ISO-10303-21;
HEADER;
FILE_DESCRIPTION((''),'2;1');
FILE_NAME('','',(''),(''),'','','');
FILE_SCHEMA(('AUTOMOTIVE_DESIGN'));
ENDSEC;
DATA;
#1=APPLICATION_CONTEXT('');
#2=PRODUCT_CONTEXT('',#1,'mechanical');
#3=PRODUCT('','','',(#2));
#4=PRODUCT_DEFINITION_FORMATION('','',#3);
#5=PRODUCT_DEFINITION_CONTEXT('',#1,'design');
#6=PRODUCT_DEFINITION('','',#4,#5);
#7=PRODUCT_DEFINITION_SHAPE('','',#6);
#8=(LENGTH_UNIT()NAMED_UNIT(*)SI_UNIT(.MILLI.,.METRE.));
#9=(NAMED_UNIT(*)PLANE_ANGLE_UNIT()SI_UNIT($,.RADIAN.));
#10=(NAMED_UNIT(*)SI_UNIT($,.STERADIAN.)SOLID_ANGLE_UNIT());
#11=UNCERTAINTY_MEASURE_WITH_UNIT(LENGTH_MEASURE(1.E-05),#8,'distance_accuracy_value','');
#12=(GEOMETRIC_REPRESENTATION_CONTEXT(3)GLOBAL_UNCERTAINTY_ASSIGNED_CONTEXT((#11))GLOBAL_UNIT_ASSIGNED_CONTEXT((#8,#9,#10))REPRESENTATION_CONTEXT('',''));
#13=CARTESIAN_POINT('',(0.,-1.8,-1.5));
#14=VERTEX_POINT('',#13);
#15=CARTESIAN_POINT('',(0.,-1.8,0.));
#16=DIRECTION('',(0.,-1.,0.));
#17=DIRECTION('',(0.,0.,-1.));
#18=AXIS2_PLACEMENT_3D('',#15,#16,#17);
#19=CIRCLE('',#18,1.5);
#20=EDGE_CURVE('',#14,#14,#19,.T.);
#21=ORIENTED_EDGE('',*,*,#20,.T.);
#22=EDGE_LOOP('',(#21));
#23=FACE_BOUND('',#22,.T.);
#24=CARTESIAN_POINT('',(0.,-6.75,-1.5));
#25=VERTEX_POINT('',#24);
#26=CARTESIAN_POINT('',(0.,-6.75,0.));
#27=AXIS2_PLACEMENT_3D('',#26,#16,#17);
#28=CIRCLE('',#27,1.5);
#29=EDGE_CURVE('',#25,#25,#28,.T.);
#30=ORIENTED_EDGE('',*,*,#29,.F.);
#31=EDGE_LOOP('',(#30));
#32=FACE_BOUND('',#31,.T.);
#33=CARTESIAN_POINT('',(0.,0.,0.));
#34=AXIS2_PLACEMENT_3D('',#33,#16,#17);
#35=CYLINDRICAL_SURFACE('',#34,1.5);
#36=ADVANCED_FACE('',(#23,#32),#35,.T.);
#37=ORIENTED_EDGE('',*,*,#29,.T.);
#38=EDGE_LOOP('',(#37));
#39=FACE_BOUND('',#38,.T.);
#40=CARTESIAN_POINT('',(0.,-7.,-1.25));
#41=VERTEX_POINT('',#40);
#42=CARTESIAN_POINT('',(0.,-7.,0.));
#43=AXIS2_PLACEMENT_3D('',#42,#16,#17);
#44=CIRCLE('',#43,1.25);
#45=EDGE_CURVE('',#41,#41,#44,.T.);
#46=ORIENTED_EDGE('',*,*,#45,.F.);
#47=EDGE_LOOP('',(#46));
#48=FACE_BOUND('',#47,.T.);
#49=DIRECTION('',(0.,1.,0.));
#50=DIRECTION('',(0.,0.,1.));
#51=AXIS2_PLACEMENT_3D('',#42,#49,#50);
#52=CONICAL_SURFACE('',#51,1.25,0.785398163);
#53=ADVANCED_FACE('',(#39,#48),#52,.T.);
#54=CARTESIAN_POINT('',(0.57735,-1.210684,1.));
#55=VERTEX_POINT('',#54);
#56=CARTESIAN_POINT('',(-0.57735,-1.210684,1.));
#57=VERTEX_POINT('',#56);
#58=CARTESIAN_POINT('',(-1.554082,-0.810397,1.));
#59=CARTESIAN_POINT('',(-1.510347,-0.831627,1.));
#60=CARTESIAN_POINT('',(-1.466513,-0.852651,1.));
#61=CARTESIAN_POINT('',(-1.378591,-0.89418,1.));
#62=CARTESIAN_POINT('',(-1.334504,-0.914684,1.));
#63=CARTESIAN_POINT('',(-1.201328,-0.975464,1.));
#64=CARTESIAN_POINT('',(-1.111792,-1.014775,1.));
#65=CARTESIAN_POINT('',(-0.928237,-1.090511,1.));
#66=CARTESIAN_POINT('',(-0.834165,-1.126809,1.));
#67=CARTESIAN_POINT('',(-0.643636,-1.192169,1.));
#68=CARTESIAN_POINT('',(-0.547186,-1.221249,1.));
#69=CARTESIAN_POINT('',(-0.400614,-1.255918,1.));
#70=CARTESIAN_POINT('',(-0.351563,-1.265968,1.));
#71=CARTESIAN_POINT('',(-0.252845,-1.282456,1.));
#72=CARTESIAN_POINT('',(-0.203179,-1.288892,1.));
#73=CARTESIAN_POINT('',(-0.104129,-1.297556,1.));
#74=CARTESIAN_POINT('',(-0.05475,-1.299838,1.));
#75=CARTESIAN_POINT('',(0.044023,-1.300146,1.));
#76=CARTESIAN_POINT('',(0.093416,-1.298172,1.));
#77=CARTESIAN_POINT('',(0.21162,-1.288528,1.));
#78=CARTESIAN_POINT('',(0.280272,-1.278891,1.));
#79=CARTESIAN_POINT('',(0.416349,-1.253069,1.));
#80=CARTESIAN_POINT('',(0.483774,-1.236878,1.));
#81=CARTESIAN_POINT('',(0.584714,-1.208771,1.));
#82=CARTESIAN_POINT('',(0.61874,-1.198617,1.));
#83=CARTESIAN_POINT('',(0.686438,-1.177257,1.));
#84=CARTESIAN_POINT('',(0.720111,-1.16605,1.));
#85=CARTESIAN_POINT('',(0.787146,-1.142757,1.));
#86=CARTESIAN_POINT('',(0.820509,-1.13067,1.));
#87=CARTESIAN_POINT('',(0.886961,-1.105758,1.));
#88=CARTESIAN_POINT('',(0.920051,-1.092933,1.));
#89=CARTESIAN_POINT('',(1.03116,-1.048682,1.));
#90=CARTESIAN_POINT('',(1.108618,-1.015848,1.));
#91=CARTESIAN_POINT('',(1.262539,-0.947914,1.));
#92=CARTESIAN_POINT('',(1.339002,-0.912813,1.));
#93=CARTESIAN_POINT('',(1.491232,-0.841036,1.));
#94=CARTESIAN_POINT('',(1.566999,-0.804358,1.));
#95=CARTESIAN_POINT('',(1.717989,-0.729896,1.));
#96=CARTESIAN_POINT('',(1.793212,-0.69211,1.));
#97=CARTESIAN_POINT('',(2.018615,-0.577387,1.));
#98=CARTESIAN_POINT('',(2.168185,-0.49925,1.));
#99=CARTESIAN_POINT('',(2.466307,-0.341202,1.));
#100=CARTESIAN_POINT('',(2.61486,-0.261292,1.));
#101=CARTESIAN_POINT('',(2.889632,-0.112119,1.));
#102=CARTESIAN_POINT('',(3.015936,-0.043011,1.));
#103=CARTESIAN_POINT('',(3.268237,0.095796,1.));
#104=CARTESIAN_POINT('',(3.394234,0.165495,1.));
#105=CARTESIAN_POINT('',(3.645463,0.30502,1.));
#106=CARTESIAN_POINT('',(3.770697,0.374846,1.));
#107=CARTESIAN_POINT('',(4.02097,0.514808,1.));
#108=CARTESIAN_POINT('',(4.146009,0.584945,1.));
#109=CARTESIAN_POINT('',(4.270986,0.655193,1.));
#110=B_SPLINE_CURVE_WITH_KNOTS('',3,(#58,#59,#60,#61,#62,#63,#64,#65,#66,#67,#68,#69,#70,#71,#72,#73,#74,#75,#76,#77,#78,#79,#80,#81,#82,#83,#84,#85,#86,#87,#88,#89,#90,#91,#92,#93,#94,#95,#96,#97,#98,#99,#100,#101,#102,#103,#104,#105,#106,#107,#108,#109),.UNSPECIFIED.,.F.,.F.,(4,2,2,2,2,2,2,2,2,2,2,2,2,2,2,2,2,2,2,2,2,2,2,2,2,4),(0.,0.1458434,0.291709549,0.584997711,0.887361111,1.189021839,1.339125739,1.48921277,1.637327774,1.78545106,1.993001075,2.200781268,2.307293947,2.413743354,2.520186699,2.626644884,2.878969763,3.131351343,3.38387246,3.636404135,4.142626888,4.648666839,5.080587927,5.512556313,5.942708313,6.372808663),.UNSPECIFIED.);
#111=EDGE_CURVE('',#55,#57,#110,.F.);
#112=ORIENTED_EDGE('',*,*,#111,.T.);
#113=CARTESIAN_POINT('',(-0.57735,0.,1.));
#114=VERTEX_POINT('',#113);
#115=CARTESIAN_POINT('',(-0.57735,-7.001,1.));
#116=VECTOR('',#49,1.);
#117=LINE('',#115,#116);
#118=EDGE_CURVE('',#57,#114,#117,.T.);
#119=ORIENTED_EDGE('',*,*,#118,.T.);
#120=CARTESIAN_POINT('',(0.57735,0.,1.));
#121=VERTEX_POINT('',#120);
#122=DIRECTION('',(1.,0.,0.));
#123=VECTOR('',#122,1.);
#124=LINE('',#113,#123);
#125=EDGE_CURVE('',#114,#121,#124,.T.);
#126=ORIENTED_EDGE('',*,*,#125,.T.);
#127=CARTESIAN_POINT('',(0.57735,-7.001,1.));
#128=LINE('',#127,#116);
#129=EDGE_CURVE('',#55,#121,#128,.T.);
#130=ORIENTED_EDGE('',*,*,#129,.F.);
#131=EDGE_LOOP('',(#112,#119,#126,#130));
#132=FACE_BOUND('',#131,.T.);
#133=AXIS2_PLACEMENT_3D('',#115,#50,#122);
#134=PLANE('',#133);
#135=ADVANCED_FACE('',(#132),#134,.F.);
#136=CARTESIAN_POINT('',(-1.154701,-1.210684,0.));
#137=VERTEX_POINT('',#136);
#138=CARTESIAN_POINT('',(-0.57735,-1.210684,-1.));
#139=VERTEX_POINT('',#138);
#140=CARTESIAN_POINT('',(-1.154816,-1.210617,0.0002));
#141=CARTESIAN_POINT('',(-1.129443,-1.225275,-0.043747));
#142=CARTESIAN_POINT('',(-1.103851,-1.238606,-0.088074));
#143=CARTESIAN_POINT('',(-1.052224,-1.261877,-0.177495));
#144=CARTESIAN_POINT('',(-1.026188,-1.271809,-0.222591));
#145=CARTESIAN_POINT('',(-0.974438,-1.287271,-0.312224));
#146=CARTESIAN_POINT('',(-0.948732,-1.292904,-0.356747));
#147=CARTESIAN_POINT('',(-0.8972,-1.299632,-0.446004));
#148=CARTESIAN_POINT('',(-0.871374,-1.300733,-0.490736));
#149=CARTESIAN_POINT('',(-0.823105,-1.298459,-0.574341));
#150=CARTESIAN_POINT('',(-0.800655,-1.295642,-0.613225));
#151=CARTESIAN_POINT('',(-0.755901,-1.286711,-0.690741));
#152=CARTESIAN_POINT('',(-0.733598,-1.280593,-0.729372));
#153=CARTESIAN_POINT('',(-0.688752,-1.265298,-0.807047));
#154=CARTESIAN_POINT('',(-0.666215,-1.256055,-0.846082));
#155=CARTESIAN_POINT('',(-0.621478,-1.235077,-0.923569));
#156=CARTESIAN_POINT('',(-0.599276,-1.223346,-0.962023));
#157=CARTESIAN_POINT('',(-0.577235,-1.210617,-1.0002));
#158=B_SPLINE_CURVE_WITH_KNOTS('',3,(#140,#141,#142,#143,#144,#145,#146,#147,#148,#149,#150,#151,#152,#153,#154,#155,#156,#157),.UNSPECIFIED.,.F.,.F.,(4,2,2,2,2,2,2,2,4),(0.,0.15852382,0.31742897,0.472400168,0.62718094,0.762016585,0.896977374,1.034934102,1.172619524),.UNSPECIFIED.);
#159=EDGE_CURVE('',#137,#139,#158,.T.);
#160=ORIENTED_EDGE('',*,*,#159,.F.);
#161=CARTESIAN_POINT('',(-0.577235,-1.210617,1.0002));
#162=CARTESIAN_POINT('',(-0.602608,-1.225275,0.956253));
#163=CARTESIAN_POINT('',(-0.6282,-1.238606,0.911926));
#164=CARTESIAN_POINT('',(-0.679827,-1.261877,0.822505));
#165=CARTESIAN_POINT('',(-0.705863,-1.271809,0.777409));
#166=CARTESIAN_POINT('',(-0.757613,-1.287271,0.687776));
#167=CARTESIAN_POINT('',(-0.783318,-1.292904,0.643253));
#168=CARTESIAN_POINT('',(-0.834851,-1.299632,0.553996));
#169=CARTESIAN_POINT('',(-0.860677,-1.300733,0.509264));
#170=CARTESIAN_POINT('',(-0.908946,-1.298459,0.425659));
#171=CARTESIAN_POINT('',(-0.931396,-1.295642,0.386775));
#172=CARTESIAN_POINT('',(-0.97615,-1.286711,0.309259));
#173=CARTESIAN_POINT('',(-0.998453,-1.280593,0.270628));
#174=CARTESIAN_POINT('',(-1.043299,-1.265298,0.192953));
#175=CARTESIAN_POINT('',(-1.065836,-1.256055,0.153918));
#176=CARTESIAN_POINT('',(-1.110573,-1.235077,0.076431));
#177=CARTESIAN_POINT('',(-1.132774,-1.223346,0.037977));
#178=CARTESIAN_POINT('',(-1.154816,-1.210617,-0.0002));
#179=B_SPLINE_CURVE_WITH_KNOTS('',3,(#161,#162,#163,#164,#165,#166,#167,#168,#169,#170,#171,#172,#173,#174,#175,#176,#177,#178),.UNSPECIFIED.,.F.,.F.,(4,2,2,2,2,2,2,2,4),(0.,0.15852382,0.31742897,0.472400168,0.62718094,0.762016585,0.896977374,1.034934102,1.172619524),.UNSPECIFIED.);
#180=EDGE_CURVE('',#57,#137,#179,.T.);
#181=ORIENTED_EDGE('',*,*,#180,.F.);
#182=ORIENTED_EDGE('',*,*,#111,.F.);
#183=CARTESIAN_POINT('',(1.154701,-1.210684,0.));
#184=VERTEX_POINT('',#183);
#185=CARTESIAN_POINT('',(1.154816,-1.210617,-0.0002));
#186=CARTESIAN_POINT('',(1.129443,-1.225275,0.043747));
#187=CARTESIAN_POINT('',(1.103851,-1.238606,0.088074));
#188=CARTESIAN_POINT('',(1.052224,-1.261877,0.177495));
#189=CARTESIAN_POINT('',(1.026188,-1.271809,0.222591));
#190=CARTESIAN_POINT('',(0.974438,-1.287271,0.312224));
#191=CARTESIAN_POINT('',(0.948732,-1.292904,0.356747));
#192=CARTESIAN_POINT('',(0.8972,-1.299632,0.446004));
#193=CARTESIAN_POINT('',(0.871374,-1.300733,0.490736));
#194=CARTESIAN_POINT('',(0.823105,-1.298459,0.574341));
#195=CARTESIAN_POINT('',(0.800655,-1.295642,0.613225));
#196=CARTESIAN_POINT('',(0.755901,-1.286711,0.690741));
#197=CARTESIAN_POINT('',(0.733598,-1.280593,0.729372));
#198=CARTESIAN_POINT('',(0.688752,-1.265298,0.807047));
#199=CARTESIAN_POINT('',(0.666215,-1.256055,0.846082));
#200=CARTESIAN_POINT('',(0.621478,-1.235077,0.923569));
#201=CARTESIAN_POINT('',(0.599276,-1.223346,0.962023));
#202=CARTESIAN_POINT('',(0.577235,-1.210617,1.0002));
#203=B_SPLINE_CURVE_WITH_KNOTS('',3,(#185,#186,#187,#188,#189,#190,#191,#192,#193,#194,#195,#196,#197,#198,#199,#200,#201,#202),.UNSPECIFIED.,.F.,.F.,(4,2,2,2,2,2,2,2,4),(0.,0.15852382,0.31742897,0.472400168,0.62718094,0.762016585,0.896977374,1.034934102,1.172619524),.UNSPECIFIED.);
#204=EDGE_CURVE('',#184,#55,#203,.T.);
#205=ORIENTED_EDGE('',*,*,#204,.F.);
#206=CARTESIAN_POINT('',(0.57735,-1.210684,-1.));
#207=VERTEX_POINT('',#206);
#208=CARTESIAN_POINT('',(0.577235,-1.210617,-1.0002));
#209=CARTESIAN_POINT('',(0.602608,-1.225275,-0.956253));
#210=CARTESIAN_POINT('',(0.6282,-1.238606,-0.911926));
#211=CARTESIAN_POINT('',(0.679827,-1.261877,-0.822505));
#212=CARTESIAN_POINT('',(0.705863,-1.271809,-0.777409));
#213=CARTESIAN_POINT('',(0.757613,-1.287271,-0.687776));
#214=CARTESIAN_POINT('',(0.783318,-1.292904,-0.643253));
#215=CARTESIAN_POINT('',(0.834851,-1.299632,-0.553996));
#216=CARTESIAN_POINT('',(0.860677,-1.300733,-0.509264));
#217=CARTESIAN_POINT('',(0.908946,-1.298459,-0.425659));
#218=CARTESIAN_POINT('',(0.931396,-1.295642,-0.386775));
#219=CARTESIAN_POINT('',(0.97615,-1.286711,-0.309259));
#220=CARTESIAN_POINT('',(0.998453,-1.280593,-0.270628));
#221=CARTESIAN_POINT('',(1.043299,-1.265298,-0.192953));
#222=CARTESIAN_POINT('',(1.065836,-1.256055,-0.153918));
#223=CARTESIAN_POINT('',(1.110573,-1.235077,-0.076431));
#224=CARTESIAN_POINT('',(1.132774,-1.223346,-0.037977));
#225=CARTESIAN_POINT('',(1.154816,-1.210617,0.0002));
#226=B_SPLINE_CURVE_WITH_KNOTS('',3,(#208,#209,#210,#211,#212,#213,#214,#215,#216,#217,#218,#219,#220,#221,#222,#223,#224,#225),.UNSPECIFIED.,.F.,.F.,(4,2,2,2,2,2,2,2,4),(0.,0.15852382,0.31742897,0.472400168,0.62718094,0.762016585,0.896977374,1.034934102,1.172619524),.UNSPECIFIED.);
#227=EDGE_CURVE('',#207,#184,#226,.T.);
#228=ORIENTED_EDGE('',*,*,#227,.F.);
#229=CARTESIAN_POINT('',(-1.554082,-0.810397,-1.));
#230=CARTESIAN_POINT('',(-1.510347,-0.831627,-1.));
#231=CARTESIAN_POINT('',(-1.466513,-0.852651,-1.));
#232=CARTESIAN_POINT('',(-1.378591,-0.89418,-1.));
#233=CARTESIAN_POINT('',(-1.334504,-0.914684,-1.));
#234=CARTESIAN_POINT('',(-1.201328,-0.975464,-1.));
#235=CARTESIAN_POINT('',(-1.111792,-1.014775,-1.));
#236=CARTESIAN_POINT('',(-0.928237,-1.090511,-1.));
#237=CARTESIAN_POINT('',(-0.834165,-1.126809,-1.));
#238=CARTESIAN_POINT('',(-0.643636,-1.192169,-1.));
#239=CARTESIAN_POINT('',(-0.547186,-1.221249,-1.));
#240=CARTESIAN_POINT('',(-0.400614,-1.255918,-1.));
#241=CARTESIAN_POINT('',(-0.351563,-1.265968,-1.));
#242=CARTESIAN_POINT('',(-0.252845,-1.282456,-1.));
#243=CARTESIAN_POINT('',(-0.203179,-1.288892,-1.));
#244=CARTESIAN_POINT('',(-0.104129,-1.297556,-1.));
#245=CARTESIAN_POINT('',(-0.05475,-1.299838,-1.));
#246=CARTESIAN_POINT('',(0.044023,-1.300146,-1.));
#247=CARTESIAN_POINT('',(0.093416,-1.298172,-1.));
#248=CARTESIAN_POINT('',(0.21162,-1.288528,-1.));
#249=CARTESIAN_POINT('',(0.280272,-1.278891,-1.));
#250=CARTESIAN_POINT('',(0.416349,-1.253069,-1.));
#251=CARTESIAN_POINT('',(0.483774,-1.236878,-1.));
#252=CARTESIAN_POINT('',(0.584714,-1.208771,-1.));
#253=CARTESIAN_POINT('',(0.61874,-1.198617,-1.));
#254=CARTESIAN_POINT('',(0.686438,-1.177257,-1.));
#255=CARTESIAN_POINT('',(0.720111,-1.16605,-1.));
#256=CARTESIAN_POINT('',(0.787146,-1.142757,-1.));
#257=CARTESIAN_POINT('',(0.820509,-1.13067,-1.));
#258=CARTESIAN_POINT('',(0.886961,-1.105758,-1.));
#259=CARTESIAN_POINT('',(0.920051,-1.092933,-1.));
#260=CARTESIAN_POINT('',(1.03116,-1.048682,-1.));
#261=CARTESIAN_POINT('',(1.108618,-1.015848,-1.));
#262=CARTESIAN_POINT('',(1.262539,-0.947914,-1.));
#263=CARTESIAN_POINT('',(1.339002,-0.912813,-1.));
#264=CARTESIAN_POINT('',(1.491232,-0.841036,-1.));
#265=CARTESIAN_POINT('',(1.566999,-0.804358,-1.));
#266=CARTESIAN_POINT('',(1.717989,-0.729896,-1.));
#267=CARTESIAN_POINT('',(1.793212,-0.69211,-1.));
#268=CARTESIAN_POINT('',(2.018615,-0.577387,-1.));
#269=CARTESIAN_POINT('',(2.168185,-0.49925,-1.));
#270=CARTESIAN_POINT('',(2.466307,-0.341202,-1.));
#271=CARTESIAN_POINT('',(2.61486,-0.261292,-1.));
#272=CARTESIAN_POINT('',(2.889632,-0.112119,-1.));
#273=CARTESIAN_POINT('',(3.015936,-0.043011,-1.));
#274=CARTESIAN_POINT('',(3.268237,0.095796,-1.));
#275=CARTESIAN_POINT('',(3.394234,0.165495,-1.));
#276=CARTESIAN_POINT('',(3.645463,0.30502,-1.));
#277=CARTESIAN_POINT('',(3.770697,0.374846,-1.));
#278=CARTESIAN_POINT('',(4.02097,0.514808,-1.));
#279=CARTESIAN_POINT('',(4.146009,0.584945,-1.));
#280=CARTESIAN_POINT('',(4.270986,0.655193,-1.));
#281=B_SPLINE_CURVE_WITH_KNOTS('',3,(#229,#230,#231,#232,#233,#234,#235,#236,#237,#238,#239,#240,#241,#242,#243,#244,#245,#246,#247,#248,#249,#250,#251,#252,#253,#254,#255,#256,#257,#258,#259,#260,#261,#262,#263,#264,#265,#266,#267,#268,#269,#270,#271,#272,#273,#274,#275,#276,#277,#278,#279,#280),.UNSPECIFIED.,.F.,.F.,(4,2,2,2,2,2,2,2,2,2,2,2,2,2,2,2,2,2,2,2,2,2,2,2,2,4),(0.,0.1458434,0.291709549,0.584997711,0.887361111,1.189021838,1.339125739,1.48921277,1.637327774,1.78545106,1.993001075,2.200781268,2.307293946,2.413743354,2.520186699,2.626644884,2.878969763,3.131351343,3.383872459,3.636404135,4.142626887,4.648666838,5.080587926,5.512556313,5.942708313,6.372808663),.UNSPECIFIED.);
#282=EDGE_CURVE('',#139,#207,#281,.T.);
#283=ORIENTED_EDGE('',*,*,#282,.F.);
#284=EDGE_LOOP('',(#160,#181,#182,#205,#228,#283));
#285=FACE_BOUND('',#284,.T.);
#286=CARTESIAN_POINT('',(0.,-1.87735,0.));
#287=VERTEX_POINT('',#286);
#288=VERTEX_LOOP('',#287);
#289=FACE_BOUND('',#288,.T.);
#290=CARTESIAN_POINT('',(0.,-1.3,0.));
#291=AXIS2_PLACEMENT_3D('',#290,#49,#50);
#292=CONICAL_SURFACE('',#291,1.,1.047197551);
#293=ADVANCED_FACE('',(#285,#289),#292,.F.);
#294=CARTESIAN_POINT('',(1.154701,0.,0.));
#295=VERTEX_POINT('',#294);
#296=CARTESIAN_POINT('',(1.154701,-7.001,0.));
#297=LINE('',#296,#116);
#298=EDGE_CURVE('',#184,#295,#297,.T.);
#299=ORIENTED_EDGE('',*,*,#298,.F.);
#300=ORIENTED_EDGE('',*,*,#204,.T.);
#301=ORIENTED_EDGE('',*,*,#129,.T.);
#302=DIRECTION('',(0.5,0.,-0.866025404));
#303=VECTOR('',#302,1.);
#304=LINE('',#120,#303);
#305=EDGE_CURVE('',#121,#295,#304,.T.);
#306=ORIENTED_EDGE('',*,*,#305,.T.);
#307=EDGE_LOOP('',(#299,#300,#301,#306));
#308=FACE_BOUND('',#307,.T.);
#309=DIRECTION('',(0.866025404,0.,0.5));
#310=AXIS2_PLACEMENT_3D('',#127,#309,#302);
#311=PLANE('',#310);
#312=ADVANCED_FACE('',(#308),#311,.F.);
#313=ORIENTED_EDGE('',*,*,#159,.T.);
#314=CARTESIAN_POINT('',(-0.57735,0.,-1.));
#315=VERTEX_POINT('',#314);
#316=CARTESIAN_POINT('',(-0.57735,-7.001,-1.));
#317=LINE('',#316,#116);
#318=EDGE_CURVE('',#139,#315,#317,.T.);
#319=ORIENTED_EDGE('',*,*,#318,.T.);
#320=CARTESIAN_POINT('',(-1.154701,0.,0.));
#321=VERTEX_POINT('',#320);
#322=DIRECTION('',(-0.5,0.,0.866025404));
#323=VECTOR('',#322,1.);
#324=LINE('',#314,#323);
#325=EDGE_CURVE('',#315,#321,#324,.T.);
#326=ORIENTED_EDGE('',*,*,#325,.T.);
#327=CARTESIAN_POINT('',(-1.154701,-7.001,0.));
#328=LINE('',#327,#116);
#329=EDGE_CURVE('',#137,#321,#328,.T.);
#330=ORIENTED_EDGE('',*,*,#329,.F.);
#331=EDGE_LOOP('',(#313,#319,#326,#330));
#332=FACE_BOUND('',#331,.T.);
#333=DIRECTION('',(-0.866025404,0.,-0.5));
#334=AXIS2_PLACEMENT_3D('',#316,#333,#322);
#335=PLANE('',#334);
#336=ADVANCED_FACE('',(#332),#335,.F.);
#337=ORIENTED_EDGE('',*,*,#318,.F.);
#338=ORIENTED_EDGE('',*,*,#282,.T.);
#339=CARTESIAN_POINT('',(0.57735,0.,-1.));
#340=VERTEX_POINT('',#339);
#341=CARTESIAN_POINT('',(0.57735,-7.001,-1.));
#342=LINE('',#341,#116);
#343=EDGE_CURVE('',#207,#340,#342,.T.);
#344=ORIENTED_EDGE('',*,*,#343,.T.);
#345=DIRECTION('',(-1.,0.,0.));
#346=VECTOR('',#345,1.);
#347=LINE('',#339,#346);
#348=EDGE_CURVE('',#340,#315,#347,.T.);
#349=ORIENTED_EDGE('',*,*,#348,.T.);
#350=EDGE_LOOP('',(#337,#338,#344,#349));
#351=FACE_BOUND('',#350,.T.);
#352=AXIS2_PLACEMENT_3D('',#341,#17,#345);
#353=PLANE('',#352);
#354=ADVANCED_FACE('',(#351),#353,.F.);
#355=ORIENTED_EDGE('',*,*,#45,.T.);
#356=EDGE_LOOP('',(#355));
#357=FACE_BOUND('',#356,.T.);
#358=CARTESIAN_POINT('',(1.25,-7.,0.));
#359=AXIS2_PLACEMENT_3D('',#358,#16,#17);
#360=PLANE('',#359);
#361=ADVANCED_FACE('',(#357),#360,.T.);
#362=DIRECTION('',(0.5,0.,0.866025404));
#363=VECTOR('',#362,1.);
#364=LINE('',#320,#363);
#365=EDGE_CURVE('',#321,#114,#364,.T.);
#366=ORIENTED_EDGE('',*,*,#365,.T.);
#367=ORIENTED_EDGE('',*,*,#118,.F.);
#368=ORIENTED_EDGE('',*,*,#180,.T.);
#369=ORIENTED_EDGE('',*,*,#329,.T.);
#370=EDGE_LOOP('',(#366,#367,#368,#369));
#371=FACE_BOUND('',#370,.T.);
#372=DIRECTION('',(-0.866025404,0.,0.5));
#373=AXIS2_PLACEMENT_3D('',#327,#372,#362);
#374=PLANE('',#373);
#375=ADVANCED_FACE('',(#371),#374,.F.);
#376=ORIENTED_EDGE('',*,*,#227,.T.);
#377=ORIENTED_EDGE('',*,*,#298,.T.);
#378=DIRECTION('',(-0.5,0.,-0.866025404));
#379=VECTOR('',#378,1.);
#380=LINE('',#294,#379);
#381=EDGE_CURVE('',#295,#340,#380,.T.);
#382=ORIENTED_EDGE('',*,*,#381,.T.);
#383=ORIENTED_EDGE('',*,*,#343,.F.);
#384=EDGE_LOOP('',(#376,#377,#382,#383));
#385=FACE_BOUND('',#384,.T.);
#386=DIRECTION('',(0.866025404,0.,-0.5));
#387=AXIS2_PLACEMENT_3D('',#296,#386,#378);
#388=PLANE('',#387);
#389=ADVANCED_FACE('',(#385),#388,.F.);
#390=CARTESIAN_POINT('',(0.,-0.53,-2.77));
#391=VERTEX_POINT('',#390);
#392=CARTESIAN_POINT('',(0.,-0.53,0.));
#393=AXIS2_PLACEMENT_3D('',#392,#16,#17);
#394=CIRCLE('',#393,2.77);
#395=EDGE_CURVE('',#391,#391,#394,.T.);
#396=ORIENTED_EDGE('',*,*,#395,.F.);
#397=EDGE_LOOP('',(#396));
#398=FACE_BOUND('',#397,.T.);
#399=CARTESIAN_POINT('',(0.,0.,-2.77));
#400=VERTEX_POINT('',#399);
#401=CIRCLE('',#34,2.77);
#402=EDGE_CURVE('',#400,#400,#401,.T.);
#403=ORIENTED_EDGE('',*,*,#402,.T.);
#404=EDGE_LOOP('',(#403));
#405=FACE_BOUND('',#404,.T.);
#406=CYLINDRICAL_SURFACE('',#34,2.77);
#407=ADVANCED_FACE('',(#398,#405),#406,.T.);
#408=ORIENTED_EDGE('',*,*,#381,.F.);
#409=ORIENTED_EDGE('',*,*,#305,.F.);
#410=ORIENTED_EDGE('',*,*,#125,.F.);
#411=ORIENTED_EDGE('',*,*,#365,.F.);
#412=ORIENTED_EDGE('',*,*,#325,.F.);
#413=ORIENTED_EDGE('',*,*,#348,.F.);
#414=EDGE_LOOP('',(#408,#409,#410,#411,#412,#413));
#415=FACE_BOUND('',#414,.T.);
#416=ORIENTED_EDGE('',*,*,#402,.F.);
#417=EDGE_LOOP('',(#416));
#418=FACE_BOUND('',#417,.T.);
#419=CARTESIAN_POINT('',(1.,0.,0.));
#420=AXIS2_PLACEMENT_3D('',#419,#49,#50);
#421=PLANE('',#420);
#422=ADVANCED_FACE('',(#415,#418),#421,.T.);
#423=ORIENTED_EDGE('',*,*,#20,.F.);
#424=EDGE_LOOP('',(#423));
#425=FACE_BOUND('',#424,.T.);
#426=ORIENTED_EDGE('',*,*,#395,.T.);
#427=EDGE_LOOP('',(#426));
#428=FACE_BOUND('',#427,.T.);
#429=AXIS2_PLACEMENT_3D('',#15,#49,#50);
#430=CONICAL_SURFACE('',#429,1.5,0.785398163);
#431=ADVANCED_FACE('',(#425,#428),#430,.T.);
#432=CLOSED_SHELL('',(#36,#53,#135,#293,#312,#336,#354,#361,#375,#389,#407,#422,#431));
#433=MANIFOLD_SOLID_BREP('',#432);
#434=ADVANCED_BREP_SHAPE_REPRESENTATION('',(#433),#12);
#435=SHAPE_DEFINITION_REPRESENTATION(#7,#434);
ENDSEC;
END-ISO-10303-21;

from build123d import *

# Parameters (mm, degrees)
CUT_EXTRUDE_1_REACH = 10.022


with BuildPart() as part:
    # 草图1 → 旋转1 (revolve)
    with BuildSketch(Plane.XY, mode=Mode.PRIVATE) as revolve_1_sk:
        Polygon((1.5, -1.8), (1.5, -6.75), (1.25, -7), (0, -7), (0, -1.877350269), (1, -1.3), (1, 0), (2.77, 0), (2.77, -0.53), align=None)
    revolve(revolve_1_sk.sketch.rotate(Axis((0, 0, 0), (0, 1, 0)), 90), axis=Axis((0, 0, 0), (0, 1, 0)))

    # 切除-拉伸1: up to this cone (the profile starts inside it)
    cut_extrude_1_end = Plane(origin=(0, 0, 0), z_dir=(0, 1, 0)).offset(-1.877349269) * Cone(1.732e-06, 27.108355455, 15.651015319, align=(Align.CENTER, Align.CENTER, Align.MIN), mode=Mode.PRIVATE)
    # 草图2 → 切除-拉伸1 (cut, up to the surface)
    with BuildSketch(Plane(origin=(0, 0, 0), x_dir=(1, 0, 0), z_dir=(0, 1, 0)), mode=Mode.PRIVATE) as cut_extrude_1_sk1:
        Polygon((1.154700538, 0), (0.577350269, 1), (-0.577350269, 1), (-1.154700538, 0), (-0.577350269, -1), (0.577350269, -1), align=None)
    cut_extrude_1_tool1 = extrude(cut_extrude_1_sk1.sketch, amount=-CUT_EXTRUDE_1_REACH, mode=Mode.PRIVATE) & cut_extrude_1_end
    add(cut_extrude_1_tool1.solids().sort_by_distance((0, 0, 0))[0], mode=Mode.SUBTRACT)


solid = part.part
